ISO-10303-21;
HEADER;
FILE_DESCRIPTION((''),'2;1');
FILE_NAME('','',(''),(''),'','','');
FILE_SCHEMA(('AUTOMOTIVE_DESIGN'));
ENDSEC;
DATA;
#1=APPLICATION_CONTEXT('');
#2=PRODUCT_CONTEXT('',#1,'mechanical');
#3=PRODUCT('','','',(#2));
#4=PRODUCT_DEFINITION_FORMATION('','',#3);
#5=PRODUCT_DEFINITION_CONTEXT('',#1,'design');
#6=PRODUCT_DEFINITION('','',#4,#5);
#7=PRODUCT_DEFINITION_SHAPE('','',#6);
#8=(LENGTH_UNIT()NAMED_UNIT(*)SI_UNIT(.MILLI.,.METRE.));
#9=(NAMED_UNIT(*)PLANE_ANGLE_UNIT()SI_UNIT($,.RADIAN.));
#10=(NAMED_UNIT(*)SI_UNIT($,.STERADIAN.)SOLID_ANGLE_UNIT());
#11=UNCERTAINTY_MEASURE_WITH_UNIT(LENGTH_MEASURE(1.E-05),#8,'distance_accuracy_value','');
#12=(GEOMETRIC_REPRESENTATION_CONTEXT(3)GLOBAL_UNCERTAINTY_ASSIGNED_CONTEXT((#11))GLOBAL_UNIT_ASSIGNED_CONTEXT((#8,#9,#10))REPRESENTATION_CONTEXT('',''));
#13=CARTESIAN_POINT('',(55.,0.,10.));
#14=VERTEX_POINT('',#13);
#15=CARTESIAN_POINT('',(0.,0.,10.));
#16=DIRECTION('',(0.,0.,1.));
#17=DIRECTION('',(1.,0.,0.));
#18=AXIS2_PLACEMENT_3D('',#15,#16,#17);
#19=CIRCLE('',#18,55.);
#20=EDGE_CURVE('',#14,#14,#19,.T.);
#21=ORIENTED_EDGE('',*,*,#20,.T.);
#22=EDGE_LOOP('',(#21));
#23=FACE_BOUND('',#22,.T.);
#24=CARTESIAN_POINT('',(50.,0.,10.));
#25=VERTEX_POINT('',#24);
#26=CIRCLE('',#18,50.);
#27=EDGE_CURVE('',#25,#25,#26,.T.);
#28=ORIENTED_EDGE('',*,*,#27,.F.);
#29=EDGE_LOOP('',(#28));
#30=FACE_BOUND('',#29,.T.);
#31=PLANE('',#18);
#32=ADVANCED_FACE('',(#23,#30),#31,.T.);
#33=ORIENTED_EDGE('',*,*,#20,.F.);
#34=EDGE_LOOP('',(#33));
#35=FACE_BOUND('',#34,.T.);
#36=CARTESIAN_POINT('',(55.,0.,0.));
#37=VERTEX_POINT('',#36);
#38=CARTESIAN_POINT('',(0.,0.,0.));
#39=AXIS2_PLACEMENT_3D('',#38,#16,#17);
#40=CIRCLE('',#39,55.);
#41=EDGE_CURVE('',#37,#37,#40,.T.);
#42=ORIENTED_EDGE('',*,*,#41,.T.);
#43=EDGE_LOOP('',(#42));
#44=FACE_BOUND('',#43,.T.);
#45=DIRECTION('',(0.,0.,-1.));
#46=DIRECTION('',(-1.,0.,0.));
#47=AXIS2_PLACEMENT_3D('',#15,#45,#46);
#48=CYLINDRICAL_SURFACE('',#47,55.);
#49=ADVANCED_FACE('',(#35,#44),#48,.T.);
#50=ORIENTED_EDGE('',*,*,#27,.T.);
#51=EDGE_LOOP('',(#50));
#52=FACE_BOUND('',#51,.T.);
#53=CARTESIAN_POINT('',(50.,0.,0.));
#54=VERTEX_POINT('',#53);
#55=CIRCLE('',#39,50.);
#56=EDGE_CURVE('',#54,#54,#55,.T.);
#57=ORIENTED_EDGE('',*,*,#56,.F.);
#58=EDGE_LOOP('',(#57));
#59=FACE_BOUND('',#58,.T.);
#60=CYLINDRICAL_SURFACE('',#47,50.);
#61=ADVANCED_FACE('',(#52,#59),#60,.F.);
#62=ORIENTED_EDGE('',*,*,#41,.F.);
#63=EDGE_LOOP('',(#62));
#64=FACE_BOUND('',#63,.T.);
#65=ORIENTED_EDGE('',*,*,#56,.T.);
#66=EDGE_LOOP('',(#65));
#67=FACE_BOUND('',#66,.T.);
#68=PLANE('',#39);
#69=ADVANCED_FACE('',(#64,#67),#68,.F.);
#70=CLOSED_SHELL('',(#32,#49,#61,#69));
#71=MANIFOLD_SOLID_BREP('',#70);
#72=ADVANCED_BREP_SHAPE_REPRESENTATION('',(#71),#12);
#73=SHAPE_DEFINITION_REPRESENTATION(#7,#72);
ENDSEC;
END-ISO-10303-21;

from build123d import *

# Parameters (mm, degrees)
SKETCH_1_R      = 55
SKETCH_1_R_2    = 50
EXTRUDE_1_DEPTH = 10


with BuildPart() as part:
    # 草图1 → 凸台-拉伸1 (new body)
    with BuildSketch(Plane.XY):
        Circle(SKETCH_1_R)
        Circle(SKETCH_1_R_2, mode=Mode.SUBTRACT)
    extrude(amount=EXTRUDE_1_DEPTH)


solid = part.part
